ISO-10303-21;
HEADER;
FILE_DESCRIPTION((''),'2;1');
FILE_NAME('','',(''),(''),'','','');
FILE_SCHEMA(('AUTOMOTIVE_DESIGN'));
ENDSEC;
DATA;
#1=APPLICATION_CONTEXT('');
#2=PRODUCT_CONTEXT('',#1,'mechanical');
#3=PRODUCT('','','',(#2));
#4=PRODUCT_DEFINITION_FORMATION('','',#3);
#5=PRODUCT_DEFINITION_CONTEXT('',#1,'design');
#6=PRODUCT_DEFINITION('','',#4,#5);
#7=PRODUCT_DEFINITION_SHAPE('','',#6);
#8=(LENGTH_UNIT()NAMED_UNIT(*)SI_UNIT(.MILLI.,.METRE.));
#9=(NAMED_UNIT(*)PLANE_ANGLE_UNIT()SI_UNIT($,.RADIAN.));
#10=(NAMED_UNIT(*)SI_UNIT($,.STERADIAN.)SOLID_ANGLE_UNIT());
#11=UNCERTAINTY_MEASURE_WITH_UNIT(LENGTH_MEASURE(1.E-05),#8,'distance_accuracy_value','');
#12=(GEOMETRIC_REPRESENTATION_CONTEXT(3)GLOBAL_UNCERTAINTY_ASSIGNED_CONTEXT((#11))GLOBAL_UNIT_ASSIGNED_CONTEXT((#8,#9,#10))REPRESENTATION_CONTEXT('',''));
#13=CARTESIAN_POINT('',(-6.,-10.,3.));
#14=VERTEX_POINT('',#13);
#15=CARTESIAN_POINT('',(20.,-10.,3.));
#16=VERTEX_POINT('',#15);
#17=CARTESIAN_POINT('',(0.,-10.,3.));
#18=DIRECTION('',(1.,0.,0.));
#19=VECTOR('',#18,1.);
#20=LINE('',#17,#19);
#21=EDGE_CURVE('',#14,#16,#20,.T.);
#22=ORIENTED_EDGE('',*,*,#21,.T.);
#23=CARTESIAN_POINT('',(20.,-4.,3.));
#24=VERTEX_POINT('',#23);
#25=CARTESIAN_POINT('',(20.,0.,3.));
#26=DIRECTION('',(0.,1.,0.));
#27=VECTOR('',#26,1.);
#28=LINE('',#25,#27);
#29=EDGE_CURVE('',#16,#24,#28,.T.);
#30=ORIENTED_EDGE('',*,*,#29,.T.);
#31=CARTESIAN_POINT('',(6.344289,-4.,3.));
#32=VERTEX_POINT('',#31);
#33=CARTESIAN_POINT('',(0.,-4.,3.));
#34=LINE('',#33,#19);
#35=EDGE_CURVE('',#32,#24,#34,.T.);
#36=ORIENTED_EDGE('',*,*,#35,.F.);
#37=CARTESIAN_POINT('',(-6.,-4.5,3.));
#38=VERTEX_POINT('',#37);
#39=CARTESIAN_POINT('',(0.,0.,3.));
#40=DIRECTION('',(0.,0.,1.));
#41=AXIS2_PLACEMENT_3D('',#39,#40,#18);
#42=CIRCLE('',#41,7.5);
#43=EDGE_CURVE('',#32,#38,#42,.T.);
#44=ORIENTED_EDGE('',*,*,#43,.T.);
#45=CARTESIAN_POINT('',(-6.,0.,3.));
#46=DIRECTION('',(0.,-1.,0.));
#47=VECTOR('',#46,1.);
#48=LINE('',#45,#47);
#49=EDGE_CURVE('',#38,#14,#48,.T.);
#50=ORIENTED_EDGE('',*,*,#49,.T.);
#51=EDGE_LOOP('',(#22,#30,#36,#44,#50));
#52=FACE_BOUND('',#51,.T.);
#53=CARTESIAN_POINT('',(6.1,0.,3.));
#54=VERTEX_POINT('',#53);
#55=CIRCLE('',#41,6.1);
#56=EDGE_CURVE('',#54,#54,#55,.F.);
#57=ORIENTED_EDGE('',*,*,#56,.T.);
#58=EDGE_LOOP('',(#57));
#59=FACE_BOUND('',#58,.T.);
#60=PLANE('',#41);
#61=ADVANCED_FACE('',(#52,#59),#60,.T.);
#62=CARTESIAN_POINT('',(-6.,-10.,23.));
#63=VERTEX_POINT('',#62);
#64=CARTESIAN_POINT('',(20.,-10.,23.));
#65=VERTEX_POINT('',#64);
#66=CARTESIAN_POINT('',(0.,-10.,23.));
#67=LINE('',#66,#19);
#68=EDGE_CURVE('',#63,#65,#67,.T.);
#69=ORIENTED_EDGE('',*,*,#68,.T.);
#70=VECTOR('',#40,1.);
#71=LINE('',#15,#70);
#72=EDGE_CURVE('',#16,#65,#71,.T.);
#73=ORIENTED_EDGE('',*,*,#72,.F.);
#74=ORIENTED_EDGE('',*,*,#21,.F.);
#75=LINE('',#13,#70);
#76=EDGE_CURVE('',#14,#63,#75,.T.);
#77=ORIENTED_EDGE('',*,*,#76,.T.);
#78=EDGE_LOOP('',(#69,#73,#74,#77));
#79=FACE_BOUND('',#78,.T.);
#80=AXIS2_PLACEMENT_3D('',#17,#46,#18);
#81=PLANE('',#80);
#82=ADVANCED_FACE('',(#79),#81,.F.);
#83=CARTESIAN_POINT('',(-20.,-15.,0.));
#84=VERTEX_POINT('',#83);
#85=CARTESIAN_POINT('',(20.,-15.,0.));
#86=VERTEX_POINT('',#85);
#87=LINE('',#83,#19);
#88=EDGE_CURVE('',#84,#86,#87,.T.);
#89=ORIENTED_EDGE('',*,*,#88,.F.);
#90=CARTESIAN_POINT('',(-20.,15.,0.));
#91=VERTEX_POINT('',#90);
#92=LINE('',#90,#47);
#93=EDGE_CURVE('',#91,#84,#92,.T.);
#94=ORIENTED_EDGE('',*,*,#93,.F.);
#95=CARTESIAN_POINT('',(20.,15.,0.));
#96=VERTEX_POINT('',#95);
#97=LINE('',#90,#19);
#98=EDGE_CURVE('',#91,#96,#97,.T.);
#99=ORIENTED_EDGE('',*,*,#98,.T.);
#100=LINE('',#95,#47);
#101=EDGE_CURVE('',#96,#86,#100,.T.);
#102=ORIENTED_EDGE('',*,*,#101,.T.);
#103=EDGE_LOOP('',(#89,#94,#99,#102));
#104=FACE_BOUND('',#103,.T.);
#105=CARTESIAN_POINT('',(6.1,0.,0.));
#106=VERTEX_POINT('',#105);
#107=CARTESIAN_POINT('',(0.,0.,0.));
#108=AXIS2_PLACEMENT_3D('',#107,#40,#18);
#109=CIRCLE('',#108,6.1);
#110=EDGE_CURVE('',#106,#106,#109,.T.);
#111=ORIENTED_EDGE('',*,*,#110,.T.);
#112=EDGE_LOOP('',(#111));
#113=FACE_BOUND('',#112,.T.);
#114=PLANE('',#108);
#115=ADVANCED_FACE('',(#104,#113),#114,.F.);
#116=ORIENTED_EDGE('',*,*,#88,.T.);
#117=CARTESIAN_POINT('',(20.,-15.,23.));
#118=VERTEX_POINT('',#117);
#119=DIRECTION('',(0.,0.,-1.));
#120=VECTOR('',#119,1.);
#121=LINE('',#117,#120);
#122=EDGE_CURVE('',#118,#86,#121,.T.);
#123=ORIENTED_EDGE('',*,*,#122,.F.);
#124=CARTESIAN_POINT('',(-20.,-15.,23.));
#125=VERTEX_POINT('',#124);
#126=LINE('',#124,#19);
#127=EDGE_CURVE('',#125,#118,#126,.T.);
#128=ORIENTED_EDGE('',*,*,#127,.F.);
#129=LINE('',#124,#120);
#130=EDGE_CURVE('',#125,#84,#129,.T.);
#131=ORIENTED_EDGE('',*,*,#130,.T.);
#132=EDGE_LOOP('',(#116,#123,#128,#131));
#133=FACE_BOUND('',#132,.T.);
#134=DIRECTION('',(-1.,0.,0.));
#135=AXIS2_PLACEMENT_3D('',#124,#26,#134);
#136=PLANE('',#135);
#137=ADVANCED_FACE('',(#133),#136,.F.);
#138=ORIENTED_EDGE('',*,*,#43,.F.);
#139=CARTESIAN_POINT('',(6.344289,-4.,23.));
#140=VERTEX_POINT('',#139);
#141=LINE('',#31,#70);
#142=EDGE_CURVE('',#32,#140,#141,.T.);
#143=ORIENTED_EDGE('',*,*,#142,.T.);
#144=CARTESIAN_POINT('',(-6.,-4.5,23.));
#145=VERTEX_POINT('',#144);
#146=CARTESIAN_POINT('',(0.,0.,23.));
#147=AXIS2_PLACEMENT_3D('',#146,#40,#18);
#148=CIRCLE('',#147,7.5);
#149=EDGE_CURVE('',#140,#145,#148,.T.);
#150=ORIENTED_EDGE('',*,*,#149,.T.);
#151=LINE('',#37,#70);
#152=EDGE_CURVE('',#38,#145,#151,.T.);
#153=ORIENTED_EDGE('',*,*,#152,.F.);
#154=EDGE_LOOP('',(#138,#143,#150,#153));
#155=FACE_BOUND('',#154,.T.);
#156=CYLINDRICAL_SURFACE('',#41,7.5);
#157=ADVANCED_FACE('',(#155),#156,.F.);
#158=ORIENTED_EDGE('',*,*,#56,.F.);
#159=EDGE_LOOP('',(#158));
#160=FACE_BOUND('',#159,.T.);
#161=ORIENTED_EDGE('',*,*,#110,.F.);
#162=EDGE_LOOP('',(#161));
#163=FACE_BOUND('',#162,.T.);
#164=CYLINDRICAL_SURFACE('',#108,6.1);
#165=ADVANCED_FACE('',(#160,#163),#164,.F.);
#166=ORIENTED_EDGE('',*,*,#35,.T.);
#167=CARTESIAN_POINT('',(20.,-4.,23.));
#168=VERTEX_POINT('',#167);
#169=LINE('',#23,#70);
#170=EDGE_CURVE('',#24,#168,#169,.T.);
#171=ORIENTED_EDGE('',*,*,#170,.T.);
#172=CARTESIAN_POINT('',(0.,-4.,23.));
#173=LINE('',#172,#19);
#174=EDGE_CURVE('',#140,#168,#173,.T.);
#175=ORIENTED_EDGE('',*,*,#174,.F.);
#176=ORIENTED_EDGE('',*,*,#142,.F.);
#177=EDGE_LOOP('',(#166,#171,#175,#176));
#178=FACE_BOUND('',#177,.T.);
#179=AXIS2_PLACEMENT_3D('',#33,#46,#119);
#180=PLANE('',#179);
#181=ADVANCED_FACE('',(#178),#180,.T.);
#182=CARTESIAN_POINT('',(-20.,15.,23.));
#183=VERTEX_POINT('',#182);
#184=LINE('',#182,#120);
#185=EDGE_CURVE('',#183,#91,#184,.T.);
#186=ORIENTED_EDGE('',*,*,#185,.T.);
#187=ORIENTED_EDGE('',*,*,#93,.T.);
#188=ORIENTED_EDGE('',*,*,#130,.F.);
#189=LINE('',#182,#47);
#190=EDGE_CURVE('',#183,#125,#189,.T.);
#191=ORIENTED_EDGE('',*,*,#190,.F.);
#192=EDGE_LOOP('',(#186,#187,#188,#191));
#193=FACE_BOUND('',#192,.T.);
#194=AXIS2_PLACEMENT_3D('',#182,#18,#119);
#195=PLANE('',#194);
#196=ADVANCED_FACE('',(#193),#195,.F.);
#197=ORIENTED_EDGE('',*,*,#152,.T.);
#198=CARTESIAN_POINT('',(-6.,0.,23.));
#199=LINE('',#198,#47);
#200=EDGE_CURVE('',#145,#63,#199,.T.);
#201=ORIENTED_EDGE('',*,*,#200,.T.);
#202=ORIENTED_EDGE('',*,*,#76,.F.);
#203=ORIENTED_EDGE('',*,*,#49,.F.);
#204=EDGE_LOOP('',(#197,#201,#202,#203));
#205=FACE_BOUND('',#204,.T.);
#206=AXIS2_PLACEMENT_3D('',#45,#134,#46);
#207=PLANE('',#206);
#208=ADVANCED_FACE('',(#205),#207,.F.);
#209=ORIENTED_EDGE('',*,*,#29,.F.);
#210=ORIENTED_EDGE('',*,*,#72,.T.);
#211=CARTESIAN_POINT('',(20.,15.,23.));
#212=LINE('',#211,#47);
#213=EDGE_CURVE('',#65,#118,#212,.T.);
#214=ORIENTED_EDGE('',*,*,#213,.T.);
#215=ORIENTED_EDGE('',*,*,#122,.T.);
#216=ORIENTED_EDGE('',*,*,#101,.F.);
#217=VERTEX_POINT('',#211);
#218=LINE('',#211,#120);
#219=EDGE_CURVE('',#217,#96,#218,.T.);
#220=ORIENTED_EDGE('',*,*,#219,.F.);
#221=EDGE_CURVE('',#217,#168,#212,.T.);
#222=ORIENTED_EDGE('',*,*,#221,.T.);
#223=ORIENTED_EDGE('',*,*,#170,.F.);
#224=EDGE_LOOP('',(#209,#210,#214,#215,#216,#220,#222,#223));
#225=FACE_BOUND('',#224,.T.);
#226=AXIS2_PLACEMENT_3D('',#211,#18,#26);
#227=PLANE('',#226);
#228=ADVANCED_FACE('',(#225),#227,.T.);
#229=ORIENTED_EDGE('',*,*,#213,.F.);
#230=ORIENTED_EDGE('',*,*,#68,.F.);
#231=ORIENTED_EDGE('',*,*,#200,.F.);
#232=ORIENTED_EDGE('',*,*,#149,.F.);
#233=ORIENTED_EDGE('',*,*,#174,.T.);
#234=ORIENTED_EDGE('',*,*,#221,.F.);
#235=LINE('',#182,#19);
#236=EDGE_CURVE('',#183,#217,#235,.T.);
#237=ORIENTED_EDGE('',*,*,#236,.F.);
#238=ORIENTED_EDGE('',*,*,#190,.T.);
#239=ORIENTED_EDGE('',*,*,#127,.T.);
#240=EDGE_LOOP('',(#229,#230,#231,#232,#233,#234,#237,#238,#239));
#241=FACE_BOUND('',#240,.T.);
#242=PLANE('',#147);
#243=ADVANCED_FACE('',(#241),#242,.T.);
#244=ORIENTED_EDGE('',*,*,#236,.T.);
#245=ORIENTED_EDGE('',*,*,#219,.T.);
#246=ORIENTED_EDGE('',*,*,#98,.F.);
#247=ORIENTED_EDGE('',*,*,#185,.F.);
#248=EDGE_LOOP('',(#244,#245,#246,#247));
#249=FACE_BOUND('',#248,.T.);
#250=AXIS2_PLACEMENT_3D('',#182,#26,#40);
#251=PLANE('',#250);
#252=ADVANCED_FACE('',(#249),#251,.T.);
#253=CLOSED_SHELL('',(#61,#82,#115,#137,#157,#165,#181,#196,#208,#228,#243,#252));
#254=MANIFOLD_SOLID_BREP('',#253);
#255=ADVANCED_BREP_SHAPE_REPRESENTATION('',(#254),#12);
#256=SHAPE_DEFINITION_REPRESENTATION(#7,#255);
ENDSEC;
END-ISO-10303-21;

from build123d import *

# Parameters (mm, degrees)
SKETCH1_W           = 40
SKETCH1_H           = 30
BOSS_EXTRUDE1_DEPTH = 23
SKETCH3_R           = 6.1
CUT_EXTRUDE1_DEPTH  = 24
CUT_EXTRUDE2_DEPTH  = 20


with BuildPart() as part:
    # Sketch1 → Boss-Extrude1 (new body)
    with BuildSketch(Plane.XY):
        Rectangle(SKETCH1_W, SKETCH1_H)
    extrude(amount=BOSS_EXTRUDE1_DEPTH)

    # Sketch3 → Cut-Extrude1 (cut, through all)
    with BuildSketch(Plane.XY.offset(23)):
        Circle(SKETCH3_R)
    extrude(amount=-CUT_EXTRUDE1_DEPTH, mode=Mode.SUBTRACT)

    # Sketch4 → Cut-Extrude2 (cut)
    with BuildSketch(Plane.XY.offset(23)):
        with BuildLine():
            Line((-6, -4.5), (-6, -4))
            Line((-6, -4), (-4.605431576, -4))
            ThreePointArc((-4.605431576, -4), (-2.135048874, 5.714154907), (6.1, 0))
            ThreePointArc((6.1, 0), (5.714154907, -2.135048874), (4.605431576, -4))
            Line((4.605431576, -4), (6.34428877, -4))
            ThreePointArc((6.34428877, -4), (7.205281597, -2.081806214), (7.5, 0))
            ThreePointArc((7.5, 0), (-2.371708245, 7.115124735), (-6, -4.5))
        make_face()
        with BuildLine():
            Line((-4.605431576, -4), (-6, -4))
            Line((-6, -4), (-6, -4.5))
            ThreePointArc((-6, -4.5), (0.303535318, -7.493855237), (6.34428877, -4))
            Line((6.34428877, -4), (4.605431576, -4))
            ThreePointArc((4.605431576, -4), (0, -6.1), (-4.605431576, -4))
        make_face()
        with BuildLine():
            ThreePointArc((6.34428877, -4), (0.303535318, -7.493855237), (-6, -4.5))
            Line((-6, -4.5), (-6, -10))
            Line((-6, -10), (20, -10))
            Line((20, -10), (20, -4))
            Line((20, -4), (6.34428877, -4))
        make_face()
    extrude(amount=-CUT_EXTRUDE2_DEPTH, mode=Mode.SUBTRACT)


solid = part.part
